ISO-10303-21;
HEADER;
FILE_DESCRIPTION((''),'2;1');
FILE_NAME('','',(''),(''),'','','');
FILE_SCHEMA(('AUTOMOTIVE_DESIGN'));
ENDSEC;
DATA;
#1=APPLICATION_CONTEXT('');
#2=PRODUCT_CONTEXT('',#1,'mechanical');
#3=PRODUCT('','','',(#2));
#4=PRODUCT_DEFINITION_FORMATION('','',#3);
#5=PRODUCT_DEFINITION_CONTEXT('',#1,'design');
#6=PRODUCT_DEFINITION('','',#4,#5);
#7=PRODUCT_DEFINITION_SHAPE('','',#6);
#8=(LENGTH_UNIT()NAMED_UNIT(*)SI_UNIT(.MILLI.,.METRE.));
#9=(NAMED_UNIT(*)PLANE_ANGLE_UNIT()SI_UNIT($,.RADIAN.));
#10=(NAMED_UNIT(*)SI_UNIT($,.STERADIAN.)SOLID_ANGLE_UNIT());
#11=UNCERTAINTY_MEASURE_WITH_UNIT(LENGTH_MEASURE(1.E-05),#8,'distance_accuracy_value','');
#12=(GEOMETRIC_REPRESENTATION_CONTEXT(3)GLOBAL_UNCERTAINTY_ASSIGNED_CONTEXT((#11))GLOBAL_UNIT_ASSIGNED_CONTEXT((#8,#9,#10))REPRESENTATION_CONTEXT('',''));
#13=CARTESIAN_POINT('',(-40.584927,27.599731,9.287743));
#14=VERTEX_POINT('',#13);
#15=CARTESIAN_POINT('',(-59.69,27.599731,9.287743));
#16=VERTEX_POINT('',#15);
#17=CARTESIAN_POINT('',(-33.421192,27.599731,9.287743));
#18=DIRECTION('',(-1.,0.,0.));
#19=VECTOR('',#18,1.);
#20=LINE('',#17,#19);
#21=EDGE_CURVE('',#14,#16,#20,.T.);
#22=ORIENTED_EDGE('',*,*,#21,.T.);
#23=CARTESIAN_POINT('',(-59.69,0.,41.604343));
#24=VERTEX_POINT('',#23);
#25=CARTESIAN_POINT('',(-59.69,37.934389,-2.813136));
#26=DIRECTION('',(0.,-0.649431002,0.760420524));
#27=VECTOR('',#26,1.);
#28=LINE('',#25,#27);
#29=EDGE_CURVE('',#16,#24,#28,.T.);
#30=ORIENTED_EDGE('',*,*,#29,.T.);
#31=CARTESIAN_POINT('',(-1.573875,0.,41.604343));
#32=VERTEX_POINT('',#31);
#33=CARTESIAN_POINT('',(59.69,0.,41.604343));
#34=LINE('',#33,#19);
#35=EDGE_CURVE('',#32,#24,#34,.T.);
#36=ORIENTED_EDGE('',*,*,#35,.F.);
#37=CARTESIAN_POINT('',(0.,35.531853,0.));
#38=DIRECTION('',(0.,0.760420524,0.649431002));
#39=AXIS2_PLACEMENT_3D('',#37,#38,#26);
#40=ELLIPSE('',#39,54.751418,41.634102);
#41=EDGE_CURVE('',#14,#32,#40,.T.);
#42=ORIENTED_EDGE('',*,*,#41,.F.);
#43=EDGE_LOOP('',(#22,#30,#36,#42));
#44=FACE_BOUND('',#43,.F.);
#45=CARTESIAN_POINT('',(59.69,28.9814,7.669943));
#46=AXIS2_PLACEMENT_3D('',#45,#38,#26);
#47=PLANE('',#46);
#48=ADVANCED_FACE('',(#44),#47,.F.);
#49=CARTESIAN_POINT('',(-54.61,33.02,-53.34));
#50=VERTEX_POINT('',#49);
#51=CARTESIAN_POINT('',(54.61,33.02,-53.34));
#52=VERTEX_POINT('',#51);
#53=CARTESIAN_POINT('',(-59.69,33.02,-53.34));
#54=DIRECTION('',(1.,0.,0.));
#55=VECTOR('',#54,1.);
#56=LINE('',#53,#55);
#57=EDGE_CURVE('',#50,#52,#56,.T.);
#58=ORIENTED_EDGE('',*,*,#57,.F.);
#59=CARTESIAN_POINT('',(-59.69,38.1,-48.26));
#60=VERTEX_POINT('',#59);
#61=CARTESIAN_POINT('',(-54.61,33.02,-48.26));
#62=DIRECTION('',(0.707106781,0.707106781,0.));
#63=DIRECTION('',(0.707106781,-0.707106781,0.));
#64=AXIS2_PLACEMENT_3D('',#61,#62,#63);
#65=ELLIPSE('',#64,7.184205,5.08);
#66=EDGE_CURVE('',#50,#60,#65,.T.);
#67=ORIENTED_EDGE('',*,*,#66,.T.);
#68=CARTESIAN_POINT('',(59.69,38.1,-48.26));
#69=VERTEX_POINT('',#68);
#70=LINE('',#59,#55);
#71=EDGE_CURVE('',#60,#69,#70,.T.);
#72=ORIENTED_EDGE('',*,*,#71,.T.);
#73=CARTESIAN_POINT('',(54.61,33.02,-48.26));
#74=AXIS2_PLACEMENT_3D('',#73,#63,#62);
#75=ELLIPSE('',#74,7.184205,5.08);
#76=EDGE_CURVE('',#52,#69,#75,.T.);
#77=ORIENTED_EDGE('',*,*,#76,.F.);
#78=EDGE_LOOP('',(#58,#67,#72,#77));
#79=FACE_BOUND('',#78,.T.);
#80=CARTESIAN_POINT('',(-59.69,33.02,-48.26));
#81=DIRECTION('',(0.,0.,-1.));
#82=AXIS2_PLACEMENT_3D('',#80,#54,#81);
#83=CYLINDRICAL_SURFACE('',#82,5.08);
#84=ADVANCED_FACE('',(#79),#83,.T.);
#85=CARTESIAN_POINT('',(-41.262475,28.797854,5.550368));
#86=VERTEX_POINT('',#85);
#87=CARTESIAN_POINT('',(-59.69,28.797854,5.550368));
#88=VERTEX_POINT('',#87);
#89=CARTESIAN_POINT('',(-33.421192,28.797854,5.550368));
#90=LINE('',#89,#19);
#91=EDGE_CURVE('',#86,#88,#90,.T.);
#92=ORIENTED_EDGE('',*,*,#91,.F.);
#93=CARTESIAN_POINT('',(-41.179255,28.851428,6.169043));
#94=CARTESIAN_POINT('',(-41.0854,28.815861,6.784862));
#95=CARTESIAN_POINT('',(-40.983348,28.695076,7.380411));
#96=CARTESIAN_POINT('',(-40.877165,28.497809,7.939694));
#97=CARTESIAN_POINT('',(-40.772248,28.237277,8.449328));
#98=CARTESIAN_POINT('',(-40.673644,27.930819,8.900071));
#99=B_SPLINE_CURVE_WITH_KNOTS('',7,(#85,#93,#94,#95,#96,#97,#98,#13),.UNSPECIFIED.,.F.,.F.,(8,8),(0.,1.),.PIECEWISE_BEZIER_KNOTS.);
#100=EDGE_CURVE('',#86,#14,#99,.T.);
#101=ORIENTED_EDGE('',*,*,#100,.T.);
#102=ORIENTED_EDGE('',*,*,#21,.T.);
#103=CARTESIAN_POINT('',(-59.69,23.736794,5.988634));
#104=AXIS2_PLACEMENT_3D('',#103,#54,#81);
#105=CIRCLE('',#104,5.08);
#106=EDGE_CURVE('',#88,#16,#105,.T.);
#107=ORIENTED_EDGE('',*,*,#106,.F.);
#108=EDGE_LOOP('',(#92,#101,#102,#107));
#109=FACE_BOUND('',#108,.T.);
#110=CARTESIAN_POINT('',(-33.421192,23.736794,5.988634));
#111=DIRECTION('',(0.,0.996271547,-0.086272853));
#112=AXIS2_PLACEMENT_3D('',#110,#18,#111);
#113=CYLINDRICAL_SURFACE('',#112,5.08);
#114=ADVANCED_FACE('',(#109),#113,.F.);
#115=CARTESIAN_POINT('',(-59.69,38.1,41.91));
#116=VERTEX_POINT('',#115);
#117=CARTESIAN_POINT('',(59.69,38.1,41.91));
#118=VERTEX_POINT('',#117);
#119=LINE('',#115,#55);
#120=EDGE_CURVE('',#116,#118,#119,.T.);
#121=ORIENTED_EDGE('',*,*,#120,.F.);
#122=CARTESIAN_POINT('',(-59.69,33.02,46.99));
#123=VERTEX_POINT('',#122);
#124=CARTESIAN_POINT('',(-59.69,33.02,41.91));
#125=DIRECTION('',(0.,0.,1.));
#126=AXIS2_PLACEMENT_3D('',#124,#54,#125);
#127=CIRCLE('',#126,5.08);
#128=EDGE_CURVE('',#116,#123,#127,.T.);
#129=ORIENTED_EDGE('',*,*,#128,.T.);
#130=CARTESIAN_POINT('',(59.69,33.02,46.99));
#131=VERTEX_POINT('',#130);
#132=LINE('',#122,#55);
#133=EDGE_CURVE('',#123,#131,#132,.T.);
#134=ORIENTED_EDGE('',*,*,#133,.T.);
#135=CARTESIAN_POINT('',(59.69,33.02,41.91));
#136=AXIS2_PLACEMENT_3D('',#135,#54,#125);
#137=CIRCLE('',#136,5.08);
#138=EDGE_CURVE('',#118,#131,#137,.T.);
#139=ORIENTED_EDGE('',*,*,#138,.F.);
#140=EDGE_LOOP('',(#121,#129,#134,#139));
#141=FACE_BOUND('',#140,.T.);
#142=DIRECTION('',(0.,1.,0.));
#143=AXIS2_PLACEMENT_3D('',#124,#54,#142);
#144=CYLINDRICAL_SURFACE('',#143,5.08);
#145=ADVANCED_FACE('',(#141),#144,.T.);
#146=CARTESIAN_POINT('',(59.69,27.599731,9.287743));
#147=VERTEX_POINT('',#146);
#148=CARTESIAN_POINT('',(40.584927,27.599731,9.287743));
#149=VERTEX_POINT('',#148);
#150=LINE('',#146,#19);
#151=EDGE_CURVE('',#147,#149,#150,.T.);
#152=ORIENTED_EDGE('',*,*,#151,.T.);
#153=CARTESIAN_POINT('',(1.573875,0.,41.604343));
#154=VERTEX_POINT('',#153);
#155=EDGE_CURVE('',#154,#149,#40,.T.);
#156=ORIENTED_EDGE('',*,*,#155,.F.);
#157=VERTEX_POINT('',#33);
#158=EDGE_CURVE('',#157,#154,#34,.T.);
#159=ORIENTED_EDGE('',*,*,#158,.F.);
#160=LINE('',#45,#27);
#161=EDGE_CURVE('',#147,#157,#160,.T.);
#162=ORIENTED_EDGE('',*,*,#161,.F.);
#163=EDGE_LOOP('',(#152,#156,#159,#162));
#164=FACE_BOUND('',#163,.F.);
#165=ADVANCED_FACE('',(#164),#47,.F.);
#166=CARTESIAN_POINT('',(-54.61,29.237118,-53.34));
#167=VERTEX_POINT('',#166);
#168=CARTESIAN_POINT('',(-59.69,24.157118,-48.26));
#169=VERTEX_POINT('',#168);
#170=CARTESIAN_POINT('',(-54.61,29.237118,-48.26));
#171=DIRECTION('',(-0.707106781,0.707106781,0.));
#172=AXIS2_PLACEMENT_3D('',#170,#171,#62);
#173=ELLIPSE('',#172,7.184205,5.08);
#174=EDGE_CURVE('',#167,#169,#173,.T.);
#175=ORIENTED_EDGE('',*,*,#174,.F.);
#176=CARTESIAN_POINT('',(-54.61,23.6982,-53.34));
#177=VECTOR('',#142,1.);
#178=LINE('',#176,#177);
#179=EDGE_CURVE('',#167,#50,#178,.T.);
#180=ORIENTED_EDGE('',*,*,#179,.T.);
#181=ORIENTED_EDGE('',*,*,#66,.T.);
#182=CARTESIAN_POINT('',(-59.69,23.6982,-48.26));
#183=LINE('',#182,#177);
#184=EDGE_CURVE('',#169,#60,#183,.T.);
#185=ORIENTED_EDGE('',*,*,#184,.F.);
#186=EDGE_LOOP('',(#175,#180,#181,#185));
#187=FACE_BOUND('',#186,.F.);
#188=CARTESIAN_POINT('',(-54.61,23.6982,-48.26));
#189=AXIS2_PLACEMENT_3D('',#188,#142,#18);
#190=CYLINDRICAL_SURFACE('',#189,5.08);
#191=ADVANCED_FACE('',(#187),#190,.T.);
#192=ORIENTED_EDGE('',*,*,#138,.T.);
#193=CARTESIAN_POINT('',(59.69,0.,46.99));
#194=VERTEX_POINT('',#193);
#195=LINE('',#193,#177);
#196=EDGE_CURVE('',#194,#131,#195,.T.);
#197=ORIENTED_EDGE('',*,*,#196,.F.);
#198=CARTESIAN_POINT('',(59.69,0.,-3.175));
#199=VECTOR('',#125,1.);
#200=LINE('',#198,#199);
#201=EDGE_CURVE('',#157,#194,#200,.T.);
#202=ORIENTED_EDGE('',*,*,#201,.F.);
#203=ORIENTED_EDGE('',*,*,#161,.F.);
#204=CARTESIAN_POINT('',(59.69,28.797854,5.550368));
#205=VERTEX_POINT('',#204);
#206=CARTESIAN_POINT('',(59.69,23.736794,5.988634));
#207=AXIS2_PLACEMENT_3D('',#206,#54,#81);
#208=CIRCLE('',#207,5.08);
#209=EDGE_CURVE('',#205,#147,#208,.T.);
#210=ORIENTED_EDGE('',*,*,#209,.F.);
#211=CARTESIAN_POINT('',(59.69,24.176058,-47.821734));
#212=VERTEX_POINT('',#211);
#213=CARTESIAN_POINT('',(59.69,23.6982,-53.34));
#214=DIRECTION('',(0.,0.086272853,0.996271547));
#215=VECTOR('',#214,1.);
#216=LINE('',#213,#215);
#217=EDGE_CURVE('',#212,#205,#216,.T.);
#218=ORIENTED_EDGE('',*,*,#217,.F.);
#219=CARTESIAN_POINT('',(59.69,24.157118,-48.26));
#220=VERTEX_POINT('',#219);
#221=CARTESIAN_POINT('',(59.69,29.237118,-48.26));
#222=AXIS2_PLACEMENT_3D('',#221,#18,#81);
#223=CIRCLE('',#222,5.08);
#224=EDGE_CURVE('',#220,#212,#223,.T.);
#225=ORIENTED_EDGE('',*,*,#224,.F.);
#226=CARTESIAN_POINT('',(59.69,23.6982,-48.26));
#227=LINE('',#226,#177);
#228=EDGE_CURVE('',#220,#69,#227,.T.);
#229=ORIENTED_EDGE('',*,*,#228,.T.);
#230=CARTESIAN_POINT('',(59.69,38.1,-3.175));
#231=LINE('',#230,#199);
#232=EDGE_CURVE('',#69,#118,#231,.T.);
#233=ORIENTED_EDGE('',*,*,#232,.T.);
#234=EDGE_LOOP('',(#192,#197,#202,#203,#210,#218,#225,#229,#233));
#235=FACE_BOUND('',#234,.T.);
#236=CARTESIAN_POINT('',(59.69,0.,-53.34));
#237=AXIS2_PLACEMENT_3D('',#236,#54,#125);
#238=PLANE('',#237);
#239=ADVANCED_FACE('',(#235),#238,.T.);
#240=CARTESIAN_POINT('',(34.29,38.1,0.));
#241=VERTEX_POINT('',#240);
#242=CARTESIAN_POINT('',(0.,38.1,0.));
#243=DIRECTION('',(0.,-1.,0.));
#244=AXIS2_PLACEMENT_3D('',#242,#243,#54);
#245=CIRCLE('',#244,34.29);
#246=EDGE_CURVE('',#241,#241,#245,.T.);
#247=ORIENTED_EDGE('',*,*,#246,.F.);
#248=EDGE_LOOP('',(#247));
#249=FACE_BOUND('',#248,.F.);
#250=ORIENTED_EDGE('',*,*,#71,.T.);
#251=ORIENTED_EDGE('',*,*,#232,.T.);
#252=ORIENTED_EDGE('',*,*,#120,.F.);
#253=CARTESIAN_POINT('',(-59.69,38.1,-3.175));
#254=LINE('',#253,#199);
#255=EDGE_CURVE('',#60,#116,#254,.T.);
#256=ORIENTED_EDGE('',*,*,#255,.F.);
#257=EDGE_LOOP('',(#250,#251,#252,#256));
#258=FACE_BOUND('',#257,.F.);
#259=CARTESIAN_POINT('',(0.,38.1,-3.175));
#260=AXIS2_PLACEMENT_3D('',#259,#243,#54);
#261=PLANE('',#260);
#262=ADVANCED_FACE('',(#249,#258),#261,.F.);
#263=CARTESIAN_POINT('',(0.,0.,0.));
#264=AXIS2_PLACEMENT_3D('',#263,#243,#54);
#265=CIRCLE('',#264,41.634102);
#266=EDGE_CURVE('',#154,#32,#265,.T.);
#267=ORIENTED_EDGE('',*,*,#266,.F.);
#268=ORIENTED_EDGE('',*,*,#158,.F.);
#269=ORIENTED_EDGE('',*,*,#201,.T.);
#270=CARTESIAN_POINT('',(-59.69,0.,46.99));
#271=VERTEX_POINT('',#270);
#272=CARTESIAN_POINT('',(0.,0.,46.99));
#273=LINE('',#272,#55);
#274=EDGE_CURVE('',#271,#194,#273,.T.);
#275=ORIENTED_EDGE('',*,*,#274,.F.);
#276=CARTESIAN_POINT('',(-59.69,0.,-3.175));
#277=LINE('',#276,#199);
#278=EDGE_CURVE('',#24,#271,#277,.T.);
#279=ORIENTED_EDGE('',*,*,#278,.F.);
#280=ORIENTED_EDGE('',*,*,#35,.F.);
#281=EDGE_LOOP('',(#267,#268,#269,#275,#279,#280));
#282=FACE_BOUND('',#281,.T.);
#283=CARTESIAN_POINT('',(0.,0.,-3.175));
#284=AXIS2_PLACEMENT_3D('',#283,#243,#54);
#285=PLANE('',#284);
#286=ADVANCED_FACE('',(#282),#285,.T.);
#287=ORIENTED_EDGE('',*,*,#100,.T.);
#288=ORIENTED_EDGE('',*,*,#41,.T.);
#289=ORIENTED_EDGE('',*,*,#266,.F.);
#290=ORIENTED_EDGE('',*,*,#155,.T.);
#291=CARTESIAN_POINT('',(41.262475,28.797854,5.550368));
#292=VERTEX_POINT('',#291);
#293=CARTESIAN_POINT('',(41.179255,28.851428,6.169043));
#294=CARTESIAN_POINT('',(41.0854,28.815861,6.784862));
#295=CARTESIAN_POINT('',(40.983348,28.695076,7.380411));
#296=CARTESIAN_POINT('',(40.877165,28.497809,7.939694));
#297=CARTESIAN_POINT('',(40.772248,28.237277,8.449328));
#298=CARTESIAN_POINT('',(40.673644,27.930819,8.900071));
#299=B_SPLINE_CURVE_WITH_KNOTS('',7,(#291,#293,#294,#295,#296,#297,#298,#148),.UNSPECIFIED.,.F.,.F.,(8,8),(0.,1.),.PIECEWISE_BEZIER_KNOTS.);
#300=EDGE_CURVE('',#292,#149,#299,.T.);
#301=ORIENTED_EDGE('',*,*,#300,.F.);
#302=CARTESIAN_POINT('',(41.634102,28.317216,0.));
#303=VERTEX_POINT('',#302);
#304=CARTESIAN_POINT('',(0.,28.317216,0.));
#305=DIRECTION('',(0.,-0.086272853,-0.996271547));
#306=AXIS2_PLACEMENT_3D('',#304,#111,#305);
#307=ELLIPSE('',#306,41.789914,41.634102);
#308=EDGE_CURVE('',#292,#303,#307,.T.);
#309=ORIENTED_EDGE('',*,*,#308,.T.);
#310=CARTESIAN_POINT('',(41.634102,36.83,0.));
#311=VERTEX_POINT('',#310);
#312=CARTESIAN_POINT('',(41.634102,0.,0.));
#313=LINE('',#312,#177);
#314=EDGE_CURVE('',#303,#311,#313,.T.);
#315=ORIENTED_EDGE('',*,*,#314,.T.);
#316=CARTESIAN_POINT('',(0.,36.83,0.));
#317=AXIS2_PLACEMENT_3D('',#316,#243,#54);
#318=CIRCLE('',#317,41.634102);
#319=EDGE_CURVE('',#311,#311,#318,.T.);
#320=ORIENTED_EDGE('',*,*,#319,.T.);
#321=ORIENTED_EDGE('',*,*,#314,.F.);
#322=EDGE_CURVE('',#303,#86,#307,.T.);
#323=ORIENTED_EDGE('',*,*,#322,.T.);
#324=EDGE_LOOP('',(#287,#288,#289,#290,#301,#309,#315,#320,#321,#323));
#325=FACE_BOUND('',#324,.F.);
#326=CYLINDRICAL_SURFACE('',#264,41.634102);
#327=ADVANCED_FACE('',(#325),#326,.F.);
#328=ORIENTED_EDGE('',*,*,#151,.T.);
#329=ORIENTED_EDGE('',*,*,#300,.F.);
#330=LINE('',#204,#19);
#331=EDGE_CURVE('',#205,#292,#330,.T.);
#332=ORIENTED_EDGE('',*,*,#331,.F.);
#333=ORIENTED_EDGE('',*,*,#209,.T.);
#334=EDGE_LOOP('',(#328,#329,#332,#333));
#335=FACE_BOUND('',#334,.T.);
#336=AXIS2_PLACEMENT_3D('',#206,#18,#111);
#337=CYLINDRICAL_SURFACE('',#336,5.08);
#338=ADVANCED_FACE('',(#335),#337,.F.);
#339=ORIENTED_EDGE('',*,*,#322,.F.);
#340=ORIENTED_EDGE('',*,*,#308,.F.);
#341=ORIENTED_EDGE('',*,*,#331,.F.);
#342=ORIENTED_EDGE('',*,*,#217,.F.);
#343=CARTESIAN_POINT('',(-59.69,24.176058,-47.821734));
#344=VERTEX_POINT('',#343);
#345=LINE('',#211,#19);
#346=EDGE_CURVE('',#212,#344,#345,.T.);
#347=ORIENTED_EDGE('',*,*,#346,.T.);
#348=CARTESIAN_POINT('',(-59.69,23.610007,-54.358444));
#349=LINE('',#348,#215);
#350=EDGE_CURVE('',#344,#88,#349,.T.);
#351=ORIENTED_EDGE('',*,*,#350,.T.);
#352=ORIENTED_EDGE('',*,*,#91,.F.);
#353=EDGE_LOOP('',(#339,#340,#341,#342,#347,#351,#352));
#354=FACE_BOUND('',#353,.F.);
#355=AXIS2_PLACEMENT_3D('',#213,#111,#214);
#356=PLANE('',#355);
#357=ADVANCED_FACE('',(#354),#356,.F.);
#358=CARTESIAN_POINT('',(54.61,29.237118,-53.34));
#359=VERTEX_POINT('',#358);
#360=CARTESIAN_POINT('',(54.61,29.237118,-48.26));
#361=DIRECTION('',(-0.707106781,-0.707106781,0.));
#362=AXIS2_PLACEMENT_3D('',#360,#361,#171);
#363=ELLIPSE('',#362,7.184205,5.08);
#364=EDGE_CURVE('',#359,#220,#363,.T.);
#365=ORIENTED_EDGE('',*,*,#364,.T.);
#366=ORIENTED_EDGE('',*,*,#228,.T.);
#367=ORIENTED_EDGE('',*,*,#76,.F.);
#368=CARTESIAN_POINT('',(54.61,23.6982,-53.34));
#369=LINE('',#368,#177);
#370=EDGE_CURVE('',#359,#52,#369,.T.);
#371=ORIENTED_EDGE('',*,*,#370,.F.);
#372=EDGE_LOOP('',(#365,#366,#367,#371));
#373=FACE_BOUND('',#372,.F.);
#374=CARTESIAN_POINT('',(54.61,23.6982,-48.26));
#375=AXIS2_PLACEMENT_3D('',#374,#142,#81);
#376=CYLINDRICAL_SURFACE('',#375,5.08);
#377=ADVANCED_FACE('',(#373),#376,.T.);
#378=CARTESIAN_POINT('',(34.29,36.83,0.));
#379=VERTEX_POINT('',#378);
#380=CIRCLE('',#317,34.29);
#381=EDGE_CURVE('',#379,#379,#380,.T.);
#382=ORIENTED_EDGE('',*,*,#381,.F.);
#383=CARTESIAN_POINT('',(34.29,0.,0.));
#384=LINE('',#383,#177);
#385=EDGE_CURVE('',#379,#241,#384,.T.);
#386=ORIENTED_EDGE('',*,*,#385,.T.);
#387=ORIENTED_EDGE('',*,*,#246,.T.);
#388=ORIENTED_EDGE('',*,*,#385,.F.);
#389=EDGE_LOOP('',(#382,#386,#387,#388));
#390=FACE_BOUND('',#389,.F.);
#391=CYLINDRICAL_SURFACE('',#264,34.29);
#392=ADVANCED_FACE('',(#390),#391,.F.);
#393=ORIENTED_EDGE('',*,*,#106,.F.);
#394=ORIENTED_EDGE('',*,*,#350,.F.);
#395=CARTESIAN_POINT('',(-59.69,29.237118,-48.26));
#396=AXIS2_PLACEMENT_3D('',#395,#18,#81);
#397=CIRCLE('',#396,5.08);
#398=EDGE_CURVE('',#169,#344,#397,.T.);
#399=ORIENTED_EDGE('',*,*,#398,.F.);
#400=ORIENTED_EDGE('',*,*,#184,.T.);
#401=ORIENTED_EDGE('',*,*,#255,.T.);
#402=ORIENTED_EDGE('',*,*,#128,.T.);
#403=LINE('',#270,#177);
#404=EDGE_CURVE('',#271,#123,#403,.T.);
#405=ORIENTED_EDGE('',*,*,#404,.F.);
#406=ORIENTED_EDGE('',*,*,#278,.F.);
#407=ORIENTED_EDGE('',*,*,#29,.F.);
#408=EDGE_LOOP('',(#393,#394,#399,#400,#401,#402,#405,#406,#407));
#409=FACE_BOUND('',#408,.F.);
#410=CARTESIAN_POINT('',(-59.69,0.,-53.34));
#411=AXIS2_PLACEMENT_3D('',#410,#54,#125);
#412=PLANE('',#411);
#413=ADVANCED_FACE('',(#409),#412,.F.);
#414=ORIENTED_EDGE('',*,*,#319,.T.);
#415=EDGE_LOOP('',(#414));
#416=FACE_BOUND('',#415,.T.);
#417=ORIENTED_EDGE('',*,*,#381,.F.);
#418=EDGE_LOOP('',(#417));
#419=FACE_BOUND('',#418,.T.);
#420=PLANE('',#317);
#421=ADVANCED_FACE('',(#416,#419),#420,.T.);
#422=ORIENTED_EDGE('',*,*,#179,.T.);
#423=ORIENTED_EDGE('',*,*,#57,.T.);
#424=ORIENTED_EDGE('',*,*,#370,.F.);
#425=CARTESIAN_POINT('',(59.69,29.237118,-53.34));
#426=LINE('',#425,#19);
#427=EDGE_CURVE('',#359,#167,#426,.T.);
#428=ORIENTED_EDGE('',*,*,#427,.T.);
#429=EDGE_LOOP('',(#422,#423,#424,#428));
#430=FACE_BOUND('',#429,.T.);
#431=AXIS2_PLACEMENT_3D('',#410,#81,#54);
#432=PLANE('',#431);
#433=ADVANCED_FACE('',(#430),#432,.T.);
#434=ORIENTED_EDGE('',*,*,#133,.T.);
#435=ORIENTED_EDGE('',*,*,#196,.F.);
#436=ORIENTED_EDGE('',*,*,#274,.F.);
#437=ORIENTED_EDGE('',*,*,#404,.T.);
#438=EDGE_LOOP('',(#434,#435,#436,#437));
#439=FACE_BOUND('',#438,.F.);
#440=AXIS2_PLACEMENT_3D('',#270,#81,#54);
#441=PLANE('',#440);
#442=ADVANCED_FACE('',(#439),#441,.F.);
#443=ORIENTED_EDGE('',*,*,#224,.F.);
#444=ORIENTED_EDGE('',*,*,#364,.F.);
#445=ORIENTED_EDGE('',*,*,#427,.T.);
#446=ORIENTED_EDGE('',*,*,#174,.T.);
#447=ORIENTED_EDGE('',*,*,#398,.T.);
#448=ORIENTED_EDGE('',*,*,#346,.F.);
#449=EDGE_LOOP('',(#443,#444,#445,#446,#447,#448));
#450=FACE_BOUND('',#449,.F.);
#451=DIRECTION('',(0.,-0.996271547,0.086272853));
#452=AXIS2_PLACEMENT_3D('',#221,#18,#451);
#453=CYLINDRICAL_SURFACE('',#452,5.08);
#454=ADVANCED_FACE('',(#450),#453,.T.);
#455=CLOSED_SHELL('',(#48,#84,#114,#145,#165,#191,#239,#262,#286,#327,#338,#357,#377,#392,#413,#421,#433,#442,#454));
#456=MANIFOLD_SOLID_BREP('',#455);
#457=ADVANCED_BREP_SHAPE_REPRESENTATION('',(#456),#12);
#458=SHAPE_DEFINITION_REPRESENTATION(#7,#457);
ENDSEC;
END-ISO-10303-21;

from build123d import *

# Parameters (mm, degrees)
F0_W     = 119.38
F0_H     = 100.33
F0_R     = 34.29
F1_DEPTH = 38.1
F4_DEPTH = 119.381
F5_R     = 5.08
F6_R     = 5.08
F7_R     = 5.08
F8_R     = 41.6341019148
F9_DEPTH = 36.83


with BuildPart() as f1:
    # F0 (on Front) → F1 (new body)
    with BuildSketch(Plane.XZ):
        with Locations((0, -3.175)):
            Rectangle(F0_W, F0_H)
        Circle(F0_R, mode=Mode.SUBTRACT)
    extrude(amount=-F1_DEPTH)

    # F3 (on face) → F4 (cut, through all)
    with BuildSketch(Plane.YZ.offset(59.69)):
        Polygon((28.9814, 7.6699430424), (0, 41.6043430424), (0, -53.34), (23.6982, -53.34), align=None)
    extrude(amount=-F4_DEPTH, mode=Mode.SUBTRACT)

    # F5
    f5_edges = [f1.edges().sort_by_distance(p)[0] for p in [
        (46.555596, 28.9814, 7.669943),
        (-46.555596, 28.9814, 7.669943),
    ]]
    fillet(f5_edges, radius=F5_R)

    # F6
    f6_edges = [f1.edges().sort_by_distance(p)[0] for p in [
        (0, 38.1, -53.34),
        (0, 23.6982, -53.34),
        (59.69, 30.8991, -53.34),
        (-59.69, 30.8991, -53.34),
    ]]
    fillet(f6_edges, radius=F6_R)

    # F7
    f7_edges = [f1.edges().sort_by_distance(p)[0] for p in [
        (0, 38.1, 46.99),
    ]]
    fillet(f7_edges, radius=F7_R)

    # F8 (on Front) → F9 (cut)
    with BuildSketch(Plane.XZ):
        Circle(F8_R)
    extrude(amount=-F9_DEPTH, mode=Mode.SUBTRACT)


solid = f1.part
